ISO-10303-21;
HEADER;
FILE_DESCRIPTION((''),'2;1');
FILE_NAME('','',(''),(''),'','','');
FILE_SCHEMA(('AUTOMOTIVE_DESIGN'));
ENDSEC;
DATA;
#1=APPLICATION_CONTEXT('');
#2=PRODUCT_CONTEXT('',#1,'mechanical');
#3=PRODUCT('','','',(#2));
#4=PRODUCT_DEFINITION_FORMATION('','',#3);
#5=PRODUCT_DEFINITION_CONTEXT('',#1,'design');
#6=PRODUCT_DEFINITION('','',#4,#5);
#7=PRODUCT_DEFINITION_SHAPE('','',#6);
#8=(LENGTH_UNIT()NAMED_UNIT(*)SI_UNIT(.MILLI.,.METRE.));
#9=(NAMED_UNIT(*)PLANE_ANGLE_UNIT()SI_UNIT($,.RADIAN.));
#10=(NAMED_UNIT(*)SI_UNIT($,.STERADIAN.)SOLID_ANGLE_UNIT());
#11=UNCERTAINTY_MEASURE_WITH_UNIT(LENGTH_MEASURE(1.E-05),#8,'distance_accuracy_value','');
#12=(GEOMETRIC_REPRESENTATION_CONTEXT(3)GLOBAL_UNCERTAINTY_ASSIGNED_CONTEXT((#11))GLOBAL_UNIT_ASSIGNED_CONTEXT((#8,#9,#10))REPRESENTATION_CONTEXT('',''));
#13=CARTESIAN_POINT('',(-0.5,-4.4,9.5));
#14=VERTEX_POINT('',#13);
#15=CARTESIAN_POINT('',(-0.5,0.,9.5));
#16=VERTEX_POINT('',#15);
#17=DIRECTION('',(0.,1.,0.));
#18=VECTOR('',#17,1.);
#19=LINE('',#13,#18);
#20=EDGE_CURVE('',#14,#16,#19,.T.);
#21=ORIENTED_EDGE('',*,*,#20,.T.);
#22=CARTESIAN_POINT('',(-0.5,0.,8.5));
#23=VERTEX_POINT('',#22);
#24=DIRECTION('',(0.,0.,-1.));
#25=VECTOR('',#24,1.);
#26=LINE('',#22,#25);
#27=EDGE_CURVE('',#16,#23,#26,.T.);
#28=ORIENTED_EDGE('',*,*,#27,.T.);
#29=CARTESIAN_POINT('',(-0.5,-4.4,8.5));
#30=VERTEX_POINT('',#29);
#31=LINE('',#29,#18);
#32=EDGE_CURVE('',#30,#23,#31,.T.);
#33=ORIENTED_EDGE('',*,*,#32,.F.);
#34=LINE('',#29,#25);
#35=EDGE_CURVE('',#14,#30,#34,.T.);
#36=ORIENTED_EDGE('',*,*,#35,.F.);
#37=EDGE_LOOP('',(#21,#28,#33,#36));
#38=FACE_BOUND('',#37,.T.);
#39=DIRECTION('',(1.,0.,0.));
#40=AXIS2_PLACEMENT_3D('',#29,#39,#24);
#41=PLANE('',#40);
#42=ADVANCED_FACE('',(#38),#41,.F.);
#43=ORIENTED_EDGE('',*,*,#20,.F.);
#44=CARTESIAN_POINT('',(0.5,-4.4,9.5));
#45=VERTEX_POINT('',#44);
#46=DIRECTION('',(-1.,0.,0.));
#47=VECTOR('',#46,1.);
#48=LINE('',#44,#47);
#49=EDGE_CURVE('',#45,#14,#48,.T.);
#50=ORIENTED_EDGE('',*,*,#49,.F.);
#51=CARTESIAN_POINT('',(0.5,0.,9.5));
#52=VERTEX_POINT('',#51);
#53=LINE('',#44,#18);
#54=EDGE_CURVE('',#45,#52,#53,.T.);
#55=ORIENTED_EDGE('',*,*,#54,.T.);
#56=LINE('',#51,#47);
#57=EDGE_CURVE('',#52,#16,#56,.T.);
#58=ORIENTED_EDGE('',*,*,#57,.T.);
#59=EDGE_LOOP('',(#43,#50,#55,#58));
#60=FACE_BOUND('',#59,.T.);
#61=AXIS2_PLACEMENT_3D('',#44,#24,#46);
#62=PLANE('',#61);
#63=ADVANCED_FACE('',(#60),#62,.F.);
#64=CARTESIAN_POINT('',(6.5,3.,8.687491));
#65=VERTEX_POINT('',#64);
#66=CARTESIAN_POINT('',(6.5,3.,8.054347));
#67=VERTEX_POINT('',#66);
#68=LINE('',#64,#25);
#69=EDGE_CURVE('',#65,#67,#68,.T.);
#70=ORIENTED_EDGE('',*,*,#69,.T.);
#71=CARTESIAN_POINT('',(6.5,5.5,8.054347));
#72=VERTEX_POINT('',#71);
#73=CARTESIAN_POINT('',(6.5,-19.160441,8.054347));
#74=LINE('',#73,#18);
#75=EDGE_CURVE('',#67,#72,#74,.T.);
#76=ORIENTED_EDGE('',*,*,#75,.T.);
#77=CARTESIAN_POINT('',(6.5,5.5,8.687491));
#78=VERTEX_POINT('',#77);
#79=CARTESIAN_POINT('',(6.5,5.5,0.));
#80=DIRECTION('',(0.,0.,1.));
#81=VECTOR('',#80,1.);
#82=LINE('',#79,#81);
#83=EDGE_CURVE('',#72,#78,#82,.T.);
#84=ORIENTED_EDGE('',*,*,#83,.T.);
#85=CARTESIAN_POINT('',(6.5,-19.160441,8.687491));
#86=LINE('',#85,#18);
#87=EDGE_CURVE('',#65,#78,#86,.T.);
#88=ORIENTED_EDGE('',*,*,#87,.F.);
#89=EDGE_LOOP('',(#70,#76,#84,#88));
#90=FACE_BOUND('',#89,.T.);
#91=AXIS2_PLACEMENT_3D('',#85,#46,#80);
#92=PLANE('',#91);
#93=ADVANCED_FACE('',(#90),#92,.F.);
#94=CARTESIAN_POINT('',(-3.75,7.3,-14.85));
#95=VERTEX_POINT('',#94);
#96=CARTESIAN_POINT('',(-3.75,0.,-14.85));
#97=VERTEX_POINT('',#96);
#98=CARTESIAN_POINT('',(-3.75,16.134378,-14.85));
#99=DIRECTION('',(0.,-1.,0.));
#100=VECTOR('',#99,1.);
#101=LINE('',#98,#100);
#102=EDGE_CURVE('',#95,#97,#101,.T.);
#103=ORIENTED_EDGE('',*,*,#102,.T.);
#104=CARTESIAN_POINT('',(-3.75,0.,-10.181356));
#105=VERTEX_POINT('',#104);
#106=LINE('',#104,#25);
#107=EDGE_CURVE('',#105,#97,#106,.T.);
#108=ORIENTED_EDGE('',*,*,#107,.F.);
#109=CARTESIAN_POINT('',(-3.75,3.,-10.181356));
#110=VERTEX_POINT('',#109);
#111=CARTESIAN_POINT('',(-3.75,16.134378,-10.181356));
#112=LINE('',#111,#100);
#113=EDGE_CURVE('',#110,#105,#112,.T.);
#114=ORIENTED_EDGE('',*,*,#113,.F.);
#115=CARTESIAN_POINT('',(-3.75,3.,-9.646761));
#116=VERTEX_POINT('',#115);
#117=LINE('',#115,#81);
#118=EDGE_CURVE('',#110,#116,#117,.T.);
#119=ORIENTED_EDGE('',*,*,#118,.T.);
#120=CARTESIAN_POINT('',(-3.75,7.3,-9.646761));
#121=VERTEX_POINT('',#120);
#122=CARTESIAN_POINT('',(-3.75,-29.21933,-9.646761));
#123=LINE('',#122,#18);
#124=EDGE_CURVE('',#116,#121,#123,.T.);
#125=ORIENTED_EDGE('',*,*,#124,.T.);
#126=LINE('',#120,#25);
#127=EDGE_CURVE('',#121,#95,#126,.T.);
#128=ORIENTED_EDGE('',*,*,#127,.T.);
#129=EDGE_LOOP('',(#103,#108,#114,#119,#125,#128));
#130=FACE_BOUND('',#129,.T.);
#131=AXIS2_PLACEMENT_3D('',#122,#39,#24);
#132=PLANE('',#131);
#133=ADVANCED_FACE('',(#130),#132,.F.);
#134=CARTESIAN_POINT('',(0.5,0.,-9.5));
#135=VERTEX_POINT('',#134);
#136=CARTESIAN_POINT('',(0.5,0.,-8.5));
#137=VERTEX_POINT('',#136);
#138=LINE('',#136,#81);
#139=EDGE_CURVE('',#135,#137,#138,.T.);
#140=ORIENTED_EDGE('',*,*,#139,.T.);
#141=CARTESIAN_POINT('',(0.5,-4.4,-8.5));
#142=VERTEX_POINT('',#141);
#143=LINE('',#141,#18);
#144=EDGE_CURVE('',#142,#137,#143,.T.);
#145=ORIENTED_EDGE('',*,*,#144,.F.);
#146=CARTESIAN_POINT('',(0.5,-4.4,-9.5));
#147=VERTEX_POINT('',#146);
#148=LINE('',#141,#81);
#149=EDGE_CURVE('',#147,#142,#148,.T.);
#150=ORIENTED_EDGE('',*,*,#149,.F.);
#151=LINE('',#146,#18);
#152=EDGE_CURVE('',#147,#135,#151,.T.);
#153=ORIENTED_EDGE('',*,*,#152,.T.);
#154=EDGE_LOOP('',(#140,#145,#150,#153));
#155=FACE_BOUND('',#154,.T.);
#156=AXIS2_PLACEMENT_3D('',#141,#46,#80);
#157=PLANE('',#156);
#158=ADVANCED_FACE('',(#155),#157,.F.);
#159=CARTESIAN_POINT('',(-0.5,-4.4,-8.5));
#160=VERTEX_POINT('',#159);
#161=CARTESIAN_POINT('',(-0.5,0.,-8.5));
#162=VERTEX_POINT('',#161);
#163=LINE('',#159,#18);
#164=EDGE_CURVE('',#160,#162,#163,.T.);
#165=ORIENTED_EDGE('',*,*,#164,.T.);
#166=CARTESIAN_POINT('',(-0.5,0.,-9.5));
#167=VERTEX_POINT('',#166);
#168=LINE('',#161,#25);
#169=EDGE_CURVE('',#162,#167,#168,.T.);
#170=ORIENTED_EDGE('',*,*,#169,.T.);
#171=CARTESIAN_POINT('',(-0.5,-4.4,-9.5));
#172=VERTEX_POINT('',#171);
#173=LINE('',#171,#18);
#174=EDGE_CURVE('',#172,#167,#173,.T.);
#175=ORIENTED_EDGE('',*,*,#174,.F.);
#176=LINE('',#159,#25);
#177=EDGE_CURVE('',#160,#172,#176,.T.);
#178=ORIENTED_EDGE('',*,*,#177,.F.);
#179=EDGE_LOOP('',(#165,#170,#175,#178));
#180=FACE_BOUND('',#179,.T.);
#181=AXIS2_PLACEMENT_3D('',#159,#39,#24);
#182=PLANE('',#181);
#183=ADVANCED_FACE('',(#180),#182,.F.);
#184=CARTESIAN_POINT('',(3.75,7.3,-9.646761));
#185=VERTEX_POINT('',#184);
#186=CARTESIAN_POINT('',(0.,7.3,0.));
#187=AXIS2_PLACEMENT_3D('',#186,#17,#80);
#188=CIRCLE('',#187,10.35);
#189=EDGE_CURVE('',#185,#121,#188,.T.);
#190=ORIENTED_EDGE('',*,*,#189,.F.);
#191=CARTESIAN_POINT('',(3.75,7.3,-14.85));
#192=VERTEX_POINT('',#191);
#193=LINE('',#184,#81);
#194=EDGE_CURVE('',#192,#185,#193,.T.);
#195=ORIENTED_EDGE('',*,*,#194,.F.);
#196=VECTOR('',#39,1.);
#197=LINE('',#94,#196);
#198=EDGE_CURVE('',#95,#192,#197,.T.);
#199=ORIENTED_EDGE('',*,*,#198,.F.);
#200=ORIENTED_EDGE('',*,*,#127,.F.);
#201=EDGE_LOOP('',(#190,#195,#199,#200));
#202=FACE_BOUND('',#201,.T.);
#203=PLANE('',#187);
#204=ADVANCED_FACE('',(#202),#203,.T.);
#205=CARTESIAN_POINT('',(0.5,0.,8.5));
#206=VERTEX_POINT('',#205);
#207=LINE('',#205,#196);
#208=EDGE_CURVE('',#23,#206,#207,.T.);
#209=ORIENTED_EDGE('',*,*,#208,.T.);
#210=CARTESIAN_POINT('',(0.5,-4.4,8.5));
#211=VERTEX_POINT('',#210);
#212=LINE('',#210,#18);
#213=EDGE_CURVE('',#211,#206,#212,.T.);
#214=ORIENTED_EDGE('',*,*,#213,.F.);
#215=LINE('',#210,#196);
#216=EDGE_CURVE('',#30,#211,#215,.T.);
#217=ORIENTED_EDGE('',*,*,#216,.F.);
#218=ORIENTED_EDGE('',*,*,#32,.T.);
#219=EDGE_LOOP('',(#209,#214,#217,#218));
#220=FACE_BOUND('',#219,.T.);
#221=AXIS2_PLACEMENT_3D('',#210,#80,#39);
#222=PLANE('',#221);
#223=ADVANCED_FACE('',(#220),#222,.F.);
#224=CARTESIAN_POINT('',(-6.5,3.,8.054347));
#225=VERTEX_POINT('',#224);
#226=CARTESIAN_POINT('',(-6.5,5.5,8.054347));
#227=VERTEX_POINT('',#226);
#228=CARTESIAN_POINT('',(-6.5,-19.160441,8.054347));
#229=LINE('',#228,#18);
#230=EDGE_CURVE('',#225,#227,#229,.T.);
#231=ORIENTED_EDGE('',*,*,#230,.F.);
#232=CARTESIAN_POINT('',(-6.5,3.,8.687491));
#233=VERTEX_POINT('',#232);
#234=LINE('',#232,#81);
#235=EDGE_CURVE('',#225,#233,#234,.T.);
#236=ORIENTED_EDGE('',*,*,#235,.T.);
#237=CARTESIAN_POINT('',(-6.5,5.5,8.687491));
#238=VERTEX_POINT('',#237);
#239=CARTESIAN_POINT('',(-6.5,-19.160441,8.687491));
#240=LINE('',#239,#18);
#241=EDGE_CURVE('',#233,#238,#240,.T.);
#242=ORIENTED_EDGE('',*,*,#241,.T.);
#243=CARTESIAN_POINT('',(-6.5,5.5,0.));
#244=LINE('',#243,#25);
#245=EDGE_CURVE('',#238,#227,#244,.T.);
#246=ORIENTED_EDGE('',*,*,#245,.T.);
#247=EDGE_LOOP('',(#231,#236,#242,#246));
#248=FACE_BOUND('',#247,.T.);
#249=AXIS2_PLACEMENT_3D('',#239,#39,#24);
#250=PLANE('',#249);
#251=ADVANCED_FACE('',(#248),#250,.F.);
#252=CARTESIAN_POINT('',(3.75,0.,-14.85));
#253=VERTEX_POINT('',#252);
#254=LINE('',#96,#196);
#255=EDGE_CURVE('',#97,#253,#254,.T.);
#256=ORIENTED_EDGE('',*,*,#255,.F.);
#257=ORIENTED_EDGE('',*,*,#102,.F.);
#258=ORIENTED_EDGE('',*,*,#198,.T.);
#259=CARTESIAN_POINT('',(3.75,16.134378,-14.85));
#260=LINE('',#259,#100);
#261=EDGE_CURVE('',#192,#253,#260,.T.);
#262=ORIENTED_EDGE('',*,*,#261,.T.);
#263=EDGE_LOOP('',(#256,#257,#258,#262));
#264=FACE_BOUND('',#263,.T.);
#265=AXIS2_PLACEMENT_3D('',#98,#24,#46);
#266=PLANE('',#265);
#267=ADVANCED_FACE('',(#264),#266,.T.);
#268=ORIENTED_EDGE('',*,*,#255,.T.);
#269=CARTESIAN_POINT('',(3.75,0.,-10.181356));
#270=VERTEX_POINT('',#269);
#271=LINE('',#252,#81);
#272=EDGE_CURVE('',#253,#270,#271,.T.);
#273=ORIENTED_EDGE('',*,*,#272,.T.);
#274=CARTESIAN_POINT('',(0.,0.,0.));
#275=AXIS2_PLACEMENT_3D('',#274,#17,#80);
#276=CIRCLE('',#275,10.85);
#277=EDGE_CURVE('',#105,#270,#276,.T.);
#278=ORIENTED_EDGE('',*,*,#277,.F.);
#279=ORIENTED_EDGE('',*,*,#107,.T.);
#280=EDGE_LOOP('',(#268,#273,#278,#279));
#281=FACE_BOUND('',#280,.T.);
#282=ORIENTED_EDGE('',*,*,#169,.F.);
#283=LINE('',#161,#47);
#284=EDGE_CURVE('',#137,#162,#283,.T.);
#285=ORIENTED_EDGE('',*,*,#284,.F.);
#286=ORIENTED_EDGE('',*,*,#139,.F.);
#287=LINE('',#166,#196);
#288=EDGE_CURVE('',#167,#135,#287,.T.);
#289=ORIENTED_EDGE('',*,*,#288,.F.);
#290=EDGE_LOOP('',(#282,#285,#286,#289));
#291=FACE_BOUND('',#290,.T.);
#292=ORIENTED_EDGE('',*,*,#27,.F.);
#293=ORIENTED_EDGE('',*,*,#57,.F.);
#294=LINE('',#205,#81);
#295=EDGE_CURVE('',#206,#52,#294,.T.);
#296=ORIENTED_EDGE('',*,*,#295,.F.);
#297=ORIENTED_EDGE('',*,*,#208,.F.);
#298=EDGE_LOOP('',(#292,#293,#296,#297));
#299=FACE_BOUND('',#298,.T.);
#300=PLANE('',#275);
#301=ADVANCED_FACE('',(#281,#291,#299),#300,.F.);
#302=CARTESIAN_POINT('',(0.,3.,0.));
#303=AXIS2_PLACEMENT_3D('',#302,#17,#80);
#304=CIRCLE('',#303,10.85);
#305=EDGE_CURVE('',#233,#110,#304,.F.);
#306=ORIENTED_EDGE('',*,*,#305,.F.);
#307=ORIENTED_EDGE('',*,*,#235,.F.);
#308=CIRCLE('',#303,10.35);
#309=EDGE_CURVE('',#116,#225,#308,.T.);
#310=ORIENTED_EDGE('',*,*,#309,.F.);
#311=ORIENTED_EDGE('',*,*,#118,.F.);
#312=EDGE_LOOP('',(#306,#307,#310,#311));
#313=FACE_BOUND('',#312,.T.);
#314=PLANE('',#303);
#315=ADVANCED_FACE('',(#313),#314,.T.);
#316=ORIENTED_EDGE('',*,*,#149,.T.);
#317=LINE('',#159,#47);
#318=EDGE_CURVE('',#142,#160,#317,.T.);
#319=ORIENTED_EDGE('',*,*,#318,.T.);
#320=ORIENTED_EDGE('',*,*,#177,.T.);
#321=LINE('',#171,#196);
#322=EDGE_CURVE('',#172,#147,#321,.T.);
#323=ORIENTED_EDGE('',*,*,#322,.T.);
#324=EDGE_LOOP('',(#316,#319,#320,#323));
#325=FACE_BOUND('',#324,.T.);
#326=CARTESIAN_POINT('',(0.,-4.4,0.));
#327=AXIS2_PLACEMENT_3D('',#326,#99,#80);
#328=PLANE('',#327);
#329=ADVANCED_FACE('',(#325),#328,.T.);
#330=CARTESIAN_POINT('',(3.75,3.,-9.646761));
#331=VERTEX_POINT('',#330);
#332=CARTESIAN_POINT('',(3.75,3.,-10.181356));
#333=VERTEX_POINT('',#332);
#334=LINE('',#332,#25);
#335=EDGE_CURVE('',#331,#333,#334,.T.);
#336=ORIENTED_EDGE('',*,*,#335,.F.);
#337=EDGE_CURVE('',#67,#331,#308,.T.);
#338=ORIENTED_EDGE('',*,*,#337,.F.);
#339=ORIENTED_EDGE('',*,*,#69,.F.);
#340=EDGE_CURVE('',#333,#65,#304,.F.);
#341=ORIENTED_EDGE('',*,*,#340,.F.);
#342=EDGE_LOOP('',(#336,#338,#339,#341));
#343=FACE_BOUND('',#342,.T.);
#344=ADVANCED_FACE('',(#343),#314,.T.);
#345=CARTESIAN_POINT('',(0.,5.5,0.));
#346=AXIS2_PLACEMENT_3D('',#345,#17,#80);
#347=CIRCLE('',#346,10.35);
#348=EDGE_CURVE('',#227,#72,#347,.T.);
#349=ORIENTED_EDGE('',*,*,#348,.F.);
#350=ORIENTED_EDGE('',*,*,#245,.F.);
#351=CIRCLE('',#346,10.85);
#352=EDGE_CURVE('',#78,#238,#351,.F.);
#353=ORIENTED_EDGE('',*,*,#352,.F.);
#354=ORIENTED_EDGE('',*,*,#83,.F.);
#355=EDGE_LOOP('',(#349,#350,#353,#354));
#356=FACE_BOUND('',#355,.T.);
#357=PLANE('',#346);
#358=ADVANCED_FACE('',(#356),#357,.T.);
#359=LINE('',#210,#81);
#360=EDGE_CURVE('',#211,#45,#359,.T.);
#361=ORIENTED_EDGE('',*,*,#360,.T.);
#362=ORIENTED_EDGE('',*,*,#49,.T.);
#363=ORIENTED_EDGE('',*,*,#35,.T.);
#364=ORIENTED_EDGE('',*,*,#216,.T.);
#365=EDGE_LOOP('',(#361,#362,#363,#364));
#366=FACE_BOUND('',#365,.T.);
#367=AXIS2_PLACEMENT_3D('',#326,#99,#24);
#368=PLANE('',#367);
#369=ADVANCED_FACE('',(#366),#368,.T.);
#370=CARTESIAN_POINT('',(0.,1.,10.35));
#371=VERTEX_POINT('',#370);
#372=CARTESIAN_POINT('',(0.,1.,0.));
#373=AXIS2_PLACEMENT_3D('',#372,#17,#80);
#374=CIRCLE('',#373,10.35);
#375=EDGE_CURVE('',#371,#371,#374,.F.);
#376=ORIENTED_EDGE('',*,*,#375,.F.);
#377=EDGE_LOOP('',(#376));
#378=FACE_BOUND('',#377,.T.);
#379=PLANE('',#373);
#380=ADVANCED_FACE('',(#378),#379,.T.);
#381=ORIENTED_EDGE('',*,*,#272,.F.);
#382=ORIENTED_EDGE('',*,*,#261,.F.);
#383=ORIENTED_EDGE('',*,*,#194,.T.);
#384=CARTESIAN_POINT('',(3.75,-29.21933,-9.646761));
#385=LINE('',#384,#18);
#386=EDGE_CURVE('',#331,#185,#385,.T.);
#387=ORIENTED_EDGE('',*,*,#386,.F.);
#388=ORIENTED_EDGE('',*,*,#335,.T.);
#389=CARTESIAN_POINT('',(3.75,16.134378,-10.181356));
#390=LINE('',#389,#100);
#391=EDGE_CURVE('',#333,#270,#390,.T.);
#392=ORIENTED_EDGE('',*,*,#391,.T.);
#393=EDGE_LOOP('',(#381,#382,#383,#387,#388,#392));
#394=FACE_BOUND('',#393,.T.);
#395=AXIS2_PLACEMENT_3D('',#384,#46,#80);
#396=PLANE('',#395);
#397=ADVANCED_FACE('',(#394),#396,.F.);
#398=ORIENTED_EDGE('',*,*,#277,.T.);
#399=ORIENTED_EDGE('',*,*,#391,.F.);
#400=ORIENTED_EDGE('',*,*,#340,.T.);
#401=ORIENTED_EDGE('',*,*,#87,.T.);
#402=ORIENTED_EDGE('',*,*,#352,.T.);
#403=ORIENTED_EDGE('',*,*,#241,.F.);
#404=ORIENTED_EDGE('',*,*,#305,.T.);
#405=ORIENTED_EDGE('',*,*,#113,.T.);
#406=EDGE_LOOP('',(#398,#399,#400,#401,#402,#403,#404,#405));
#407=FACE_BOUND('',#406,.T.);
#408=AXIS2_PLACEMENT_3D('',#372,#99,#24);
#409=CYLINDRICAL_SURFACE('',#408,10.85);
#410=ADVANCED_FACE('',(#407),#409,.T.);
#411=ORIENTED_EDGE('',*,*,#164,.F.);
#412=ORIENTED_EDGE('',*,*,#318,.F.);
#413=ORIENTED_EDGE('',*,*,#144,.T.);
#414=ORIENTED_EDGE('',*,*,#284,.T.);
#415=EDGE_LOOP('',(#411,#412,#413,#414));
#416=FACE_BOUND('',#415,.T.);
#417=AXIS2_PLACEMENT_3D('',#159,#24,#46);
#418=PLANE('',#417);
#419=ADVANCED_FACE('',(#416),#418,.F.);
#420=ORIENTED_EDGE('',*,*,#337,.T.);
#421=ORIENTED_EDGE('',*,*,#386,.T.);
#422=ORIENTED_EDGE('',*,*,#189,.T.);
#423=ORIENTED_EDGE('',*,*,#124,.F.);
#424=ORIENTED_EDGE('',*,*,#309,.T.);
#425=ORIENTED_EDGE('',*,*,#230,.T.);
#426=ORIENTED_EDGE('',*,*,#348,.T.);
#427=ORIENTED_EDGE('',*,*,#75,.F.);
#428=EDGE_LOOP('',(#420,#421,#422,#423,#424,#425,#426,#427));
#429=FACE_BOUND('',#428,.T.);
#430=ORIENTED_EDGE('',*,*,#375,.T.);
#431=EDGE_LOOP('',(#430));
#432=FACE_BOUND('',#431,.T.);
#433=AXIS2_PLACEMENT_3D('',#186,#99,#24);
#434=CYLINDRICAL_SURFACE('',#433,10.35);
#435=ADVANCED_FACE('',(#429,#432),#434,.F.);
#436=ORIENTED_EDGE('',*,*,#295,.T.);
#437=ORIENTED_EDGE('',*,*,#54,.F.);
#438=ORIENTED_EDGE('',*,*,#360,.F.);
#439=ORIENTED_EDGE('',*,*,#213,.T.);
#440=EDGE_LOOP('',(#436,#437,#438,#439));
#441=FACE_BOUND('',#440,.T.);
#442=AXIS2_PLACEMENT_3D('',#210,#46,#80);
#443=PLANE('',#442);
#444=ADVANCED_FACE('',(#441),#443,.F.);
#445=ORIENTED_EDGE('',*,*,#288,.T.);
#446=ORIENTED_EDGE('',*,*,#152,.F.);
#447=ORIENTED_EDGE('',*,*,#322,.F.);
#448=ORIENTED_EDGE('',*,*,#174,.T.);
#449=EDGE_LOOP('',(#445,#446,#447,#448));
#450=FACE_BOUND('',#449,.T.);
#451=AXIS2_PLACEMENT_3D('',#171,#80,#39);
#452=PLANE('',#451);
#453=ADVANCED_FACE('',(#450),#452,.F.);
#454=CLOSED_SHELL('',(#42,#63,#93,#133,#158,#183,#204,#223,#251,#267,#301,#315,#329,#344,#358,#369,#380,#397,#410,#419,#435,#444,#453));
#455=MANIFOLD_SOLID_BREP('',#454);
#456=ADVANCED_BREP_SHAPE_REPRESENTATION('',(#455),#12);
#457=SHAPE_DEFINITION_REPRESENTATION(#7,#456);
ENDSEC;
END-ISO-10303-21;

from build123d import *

# Parameters (mm, degrees)
SKETCH1_R               = 10.85
BOSS_EXTRUDE1_DEPTH     = 1
SKETCH2_W               = 1
SKETCH2_H               = 1
BOSS_EXTRUDE2_DEPTH     = 4.4
CIRPATTERN1_COUNT       = 2
SKETCH3_R               = 10.85
SKETCH3_R_2             = 10.35
BOSS_EXTRUDE3_DEPTH     = 6.3
CUT_EXTRUDE1_DEPTH      = 1.8
CUT_EXTRUDE4_DEPTH      = 2.8
CUT_EXTRUDE4_DEPTH_BACK = 2.5
BOSS_EXTRUDE4_DEPTH     = 7.3


with BuildPart() as part:
    # Sketch1 → Boss-Extrude1 (new body)
    with BuildSketch(Plane(origin=(0, 0, 0), x_dir=(1, 0, 0), z_dir=(0, 1, 0))):
        Circle(SKETCH1_R)
    extrude(amount=BOSS_EXTRUDE1_DEPTH)

    # Sketch2 → Boss-Extrude2 (add)
    with BuildSketch(Plane.XZ):
        with Locations((0, 9)):
            Rectangle(SKETCH2_W, SKETCH2_H)
    boss_extrude2 = extrude(amount=BOSS_EXTRUDE2_DEPTH)

    # CirPattern1: Boss-Extrude2 ×2 about axis
    cirpattern1_axis = Axis((0, 0, 0), (0, 1, 0))
    for i in range(1, CIRPATTERN1_COUNT):
        add(boss_extrude2.rotate(cirpattern1_axis, i * 360 / CIRPATTERN1_COUNT))

    # Sketch3 → Boss-Extrude3 (add)
    with BuildSketch(Plane(origin=(0, 1, 0), x_dir=(1, 0, 0), z_dir=(0, 1, 0))):
        Circle(SKETCH3_R)
        Circle(SKETCH3_R_2, mode=Mode.SUBTRACT)
    extrude(amount=BOSS_EXTRUDE3_DEPTH)

    # Sketch4 → Cut-Extrude1 (cut)
    with BuildSketch(Plane(origin=(0, 7.3, 0), x_dir=(1, 0, 0), z_dir=(0, 1, 0))):
        with BuildLine():
            Line((-3.75, 9.646761114), (-3.75, 10.181355509))
            ThreePointArc((-3.75, 10.181355509), (0, -10.85), (3.75, 10.181355509))
            Line((3.75, 10.181355509), (3.75, 9.646761114))
            ThreePointArc((3.75, 9.646761114), (0, -10.35), (-3.75, 9.646761114))
        make_face()
    extrude(amount=-CUT_EXTRUDE1_DEPTH, mode=Mode.SUBTRACT)

    # Sketch7 → Cut-Extrude4 (cut, two sides)
    with BuildSketch(Plane(origin=(0, 5.5, 0), x_dir=(1, 0, 0), z_dir=(0, 1, 0))) as cut_extrude4_sk:
        with BuildLine():
            Line((-6.5, -8.687491007), (-6.5, -8.054346653))
            ThreePointArc((-6.5, -8.054346653), (-10.227312895, 1.58888985), (-3.75, 9.646761114))
            Line((-3.75, 9.646761114), (-3.75, 10.181355509))
            ThreePointArc((-3.75, 10.181355509), (-10.736571483, 1.56477883), (-6.5, -8.687491007))
        make_face()
        with BuildLine():
            Line((6.5, -8.687491007), (6.5, -8.054346653))
            ThreePointArc((6.5, -8.054346653), (10.227312895, 1.58888985), (3.75, 9.646761114))
            Line((3.75, 9.646761114), (3.75, 10.181355509))
            ThreePointArc((3.75, 10.181355509), (10.736571483, 1.56477883), (6.5, -8.687491007))
        make_face()
    extrude(amount=CUT_EXTRUDE4_DEPTH, mode=Mode.SUBTRACT)
    extrude(cut_extrude4_sk.sketch, amount=-CUT_EXTRUDE4_DEPTH_BACK, mode=Mode.SUBTRACT)

    # Sketch8 → Boss-Extrude4 (add)
    with BuildSketch(Plane.XZ):
        with BuildLine():
            Line((-3.75, -10.181355509), (-3.75, -14.85))
            Line((-3.75, -14.85), (3.75, -14.85))
            Line((3.75, -14.85), (3.75, -10.181355509))
            ThreePointArc((3.75, -10.181355509), (0, -10.85), (-3.75, -10.181355509))
        make_face()
    extrude(amount=-BOSS_EXTRUDE4_DEPTH)


solid = part.part
